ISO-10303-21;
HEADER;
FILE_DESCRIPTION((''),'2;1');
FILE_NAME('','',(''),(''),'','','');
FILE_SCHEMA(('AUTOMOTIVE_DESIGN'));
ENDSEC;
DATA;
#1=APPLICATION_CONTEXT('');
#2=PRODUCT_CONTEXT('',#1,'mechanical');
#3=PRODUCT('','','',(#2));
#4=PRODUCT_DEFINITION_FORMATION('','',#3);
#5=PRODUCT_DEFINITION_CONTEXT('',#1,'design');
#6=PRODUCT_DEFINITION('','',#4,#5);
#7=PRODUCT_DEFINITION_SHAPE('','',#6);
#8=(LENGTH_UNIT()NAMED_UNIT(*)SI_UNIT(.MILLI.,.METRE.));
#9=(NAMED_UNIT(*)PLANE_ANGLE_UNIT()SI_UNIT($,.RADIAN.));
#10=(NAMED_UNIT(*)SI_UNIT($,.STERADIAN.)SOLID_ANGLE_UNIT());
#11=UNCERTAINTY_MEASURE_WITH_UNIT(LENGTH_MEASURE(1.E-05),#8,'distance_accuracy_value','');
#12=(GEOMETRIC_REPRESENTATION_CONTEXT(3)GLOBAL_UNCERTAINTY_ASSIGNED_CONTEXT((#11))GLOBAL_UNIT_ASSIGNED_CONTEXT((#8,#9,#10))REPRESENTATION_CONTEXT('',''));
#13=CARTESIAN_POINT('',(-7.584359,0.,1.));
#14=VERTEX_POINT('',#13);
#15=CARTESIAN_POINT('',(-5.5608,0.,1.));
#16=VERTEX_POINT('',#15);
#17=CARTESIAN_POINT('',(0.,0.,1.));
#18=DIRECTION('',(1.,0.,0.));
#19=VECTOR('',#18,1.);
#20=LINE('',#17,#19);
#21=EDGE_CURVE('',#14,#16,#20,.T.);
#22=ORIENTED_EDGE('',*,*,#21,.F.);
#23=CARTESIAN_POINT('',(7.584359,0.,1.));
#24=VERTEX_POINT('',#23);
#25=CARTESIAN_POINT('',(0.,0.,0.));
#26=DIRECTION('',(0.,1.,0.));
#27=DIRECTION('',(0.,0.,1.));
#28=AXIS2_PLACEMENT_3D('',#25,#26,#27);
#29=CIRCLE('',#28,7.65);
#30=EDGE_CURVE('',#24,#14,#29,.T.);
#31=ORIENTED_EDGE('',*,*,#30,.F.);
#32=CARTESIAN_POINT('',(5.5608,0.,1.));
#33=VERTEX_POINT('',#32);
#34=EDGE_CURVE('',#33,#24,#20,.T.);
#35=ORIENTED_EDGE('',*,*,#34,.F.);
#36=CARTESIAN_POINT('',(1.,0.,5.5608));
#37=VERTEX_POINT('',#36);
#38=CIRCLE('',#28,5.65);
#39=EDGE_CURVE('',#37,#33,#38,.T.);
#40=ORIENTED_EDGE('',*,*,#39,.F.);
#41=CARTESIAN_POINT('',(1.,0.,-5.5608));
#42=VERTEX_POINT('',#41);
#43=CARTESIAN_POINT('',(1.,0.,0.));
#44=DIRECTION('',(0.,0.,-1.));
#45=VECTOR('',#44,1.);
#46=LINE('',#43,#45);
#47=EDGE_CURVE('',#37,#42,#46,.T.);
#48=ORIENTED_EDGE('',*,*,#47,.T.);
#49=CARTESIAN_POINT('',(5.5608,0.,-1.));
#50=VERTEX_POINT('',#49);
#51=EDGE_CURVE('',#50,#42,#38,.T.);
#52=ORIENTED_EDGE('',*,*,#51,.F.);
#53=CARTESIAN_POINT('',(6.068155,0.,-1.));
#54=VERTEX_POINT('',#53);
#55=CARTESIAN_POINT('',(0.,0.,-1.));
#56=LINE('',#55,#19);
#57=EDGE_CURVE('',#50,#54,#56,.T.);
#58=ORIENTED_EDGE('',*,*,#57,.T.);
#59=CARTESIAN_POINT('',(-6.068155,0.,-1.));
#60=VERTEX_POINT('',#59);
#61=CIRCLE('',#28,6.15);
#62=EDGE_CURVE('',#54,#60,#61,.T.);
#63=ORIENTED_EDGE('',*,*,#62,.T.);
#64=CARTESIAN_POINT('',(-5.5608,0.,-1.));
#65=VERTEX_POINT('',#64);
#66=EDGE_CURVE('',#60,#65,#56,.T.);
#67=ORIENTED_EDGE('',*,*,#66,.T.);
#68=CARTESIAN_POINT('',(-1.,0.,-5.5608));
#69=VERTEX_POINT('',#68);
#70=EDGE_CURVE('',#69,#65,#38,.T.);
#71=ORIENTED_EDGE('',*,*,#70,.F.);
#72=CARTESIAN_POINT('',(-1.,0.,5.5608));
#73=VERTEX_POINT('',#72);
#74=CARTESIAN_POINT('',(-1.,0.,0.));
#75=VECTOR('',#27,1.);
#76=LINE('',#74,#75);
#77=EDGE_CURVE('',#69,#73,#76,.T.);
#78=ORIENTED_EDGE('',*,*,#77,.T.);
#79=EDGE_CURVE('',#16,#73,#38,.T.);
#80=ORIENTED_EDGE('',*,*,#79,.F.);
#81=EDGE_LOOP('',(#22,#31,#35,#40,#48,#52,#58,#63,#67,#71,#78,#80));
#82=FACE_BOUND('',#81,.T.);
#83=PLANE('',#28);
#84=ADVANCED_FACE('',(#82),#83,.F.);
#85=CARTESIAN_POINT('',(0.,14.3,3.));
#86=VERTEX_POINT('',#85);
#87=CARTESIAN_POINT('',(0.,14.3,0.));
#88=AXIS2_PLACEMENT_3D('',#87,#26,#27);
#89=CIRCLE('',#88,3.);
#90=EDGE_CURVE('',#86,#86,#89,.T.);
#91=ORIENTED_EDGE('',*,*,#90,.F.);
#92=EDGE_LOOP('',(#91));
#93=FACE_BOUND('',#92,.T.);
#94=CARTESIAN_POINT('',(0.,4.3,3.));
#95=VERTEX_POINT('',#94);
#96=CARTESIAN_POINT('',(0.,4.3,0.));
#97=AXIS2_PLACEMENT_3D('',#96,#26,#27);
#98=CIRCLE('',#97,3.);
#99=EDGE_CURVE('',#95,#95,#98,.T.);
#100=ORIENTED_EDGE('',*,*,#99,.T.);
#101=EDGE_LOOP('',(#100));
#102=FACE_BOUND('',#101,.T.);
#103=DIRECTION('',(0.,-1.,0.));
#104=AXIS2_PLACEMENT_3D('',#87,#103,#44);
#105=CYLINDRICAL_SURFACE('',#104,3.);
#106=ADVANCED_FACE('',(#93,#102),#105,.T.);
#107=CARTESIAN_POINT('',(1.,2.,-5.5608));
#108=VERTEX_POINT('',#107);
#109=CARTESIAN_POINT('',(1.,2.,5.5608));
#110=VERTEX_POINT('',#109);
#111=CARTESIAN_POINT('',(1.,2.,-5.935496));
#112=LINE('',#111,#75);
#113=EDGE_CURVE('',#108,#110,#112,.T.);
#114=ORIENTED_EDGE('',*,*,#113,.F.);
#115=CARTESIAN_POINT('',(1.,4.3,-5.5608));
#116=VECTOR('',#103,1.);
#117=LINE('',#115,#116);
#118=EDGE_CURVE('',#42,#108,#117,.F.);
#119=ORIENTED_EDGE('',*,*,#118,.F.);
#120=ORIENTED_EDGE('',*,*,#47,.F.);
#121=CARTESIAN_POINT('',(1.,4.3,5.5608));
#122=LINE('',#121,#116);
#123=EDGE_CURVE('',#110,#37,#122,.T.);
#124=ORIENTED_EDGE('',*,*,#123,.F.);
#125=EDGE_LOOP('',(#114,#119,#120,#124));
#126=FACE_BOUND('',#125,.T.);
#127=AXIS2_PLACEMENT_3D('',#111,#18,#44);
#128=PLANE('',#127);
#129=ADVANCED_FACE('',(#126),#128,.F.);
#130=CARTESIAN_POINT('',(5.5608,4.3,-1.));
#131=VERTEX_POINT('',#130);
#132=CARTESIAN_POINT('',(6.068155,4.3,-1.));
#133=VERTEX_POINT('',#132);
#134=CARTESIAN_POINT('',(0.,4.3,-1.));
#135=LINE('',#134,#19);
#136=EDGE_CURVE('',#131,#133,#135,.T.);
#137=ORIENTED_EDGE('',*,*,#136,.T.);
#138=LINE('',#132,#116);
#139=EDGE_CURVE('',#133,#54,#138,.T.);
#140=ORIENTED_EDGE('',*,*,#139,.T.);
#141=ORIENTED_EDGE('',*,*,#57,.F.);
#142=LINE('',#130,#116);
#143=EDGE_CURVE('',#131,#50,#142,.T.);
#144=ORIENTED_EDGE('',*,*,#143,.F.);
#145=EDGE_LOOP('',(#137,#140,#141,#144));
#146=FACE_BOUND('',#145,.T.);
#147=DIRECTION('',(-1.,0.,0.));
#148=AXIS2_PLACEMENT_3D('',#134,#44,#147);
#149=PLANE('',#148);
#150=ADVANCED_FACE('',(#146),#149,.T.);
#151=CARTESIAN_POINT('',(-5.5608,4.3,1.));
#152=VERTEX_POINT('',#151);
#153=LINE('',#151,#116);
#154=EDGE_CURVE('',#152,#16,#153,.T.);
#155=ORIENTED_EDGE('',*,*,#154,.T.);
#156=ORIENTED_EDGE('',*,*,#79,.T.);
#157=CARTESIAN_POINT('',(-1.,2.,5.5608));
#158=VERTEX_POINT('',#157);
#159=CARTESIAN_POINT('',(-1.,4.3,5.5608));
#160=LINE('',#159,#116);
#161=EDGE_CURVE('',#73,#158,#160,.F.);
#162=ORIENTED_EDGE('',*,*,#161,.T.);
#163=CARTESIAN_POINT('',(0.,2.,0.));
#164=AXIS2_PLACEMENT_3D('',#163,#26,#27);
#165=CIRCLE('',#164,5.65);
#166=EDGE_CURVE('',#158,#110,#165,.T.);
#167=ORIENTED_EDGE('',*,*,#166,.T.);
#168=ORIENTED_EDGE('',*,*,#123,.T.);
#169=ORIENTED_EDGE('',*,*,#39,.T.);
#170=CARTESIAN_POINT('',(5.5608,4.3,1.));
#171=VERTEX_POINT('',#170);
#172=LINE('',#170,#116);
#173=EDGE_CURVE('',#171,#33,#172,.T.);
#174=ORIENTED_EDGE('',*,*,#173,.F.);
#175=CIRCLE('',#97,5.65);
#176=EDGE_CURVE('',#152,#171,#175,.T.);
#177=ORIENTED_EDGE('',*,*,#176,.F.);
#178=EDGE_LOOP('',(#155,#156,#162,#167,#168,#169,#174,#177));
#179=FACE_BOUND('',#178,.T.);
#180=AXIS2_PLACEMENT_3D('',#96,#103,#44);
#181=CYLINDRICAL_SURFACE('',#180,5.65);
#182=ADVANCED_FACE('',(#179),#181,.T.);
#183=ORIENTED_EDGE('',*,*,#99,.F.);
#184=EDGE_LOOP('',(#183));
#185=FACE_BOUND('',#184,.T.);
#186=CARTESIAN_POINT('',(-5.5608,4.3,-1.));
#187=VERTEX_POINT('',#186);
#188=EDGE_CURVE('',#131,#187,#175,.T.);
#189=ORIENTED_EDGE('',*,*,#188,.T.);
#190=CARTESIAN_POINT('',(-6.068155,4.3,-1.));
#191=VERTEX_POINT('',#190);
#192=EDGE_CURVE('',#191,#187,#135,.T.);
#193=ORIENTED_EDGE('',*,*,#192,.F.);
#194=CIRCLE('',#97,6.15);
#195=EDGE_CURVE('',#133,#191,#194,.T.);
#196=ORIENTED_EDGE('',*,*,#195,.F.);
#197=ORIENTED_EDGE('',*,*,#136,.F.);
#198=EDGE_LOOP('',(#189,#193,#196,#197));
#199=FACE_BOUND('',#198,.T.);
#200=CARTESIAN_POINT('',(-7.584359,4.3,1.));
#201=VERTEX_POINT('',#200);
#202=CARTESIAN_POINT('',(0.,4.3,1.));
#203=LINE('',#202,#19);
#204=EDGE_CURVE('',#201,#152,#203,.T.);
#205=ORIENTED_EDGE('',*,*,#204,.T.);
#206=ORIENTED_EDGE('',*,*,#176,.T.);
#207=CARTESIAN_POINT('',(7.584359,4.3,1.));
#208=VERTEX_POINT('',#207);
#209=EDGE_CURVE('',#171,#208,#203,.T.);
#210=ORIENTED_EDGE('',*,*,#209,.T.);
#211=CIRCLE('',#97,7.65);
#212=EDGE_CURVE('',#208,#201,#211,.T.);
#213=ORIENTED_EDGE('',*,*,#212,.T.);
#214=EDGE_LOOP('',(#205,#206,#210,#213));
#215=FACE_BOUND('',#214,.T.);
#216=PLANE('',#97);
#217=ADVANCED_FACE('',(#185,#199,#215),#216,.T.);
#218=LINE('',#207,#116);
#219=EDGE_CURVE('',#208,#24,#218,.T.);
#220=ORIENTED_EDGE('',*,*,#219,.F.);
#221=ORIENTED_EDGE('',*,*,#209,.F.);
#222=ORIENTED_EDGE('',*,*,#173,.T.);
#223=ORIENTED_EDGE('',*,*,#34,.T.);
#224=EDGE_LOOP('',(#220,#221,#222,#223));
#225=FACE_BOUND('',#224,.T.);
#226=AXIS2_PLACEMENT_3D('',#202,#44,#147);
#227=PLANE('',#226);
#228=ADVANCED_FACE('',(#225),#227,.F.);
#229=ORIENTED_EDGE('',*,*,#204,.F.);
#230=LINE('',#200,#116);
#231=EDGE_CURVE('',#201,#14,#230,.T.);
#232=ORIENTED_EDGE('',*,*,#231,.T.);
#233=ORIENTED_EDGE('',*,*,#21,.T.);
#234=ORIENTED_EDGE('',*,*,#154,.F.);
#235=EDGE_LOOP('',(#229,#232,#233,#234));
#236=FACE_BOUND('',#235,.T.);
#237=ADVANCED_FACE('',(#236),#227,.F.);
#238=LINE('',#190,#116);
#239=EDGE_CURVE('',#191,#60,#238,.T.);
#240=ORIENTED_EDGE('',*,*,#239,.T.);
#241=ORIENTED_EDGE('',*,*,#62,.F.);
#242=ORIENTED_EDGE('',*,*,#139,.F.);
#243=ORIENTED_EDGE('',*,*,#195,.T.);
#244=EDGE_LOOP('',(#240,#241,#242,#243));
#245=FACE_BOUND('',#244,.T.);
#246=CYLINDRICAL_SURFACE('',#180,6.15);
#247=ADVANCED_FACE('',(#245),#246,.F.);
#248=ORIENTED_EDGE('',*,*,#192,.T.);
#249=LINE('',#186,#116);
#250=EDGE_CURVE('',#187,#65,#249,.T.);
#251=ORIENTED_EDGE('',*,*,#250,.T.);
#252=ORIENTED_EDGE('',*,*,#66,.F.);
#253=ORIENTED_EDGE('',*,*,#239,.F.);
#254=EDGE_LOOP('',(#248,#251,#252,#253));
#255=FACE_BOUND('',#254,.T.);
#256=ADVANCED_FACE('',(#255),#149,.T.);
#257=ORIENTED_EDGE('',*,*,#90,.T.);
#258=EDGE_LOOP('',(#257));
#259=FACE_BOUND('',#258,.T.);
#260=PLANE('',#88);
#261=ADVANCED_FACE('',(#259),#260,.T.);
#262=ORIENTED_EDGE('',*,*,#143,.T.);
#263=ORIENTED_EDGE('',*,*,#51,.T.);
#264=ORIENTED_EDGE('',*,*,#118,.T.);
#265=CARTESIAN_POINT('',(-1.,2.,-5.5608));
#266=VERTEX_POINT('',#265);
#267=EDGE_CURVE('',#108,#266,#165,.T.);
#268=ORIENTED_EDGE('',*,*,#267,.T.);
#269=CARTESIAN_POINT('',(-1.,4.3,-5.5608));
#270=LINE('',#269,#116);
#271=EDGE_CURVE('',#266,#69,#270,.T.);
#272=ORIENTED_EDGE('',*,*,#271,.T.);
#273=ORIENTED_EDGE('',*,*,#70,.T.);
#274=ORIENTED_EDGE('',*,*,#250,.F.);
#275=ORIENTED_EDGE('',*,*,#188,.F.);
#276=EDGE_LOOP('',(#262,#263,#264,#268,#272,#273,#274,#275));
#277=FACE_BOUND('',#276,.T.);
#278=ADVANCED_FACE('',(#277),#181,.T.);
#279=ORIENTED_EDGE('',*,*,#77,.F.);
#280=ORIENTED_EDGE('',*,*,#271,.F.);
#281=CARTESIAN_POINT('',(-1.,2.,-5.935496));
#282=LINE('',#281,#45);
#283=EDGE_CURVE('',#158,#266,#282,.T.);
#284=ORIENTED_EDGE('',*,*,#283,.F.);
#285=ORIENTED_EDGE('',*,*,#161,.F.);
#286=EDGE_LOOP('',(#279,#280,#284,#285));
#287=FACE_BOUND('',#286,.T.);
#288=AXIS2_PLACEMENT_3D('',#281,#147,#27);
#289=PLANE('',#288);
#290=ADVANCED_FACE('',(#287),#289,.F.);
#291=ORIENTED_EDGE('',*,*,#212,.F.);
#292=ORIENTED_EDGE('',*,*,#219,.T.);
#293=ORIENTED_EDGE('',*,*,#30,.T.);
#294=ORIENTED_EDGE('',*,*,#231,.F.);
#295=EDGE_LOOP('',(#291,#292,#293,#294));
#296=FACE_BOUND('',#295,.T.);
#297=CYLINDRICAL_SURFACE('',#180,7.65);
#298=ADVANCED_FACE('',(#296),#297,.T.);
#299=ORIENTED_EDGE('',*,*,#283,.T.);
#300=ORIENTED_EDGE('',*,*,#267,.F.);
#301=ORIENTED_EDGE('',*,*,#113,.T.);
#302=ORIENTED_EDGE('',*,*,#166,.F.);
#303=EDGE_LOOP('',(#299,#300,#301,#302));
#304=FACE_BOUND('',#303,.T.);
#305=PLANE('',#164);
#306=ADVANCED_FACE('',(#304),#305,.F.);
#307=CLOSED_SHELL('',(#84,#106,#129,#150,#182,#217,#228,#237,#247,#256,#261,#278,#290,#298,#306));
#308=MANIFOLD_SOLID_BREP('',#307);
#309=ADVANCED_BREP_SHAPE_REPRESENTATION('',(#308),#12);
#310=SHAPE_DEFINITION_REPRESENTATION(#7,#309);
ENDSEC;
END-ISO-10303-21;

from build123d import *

# Parameters (mm, degrees)
BOSS_EXTRUDE1_DEPTH = 4.3
SKETCH2_R           = 3
BOSS_EXTRUDE2_DEPTH = 10
SKETCH3_W           = 2
SKETCH3_H           = 11.870992598
CUT_EXTRUDE1_DEPTH  = 2


with BuildPart() as part:
    # Sketch1 → Boss-Extrude1 (new body)
    with BuildSketch(Plane(origin=(0, 0, 0), x_dir=(1, 0, 0), z_dir=(0, 1, 0))):
        with BuildLine():
            Line((5.560800302, -1), (-5.560800302, -1))
            ThreePointArc((-5.560800302, -1), (0, -5.65), (5.560800302, -1))
        make_face()
        with BuildLine():
            Line((5.560800302, 1), (-5.560800302, 1))
            ThreePointArc((-5.560800302, 1), (-5.65, 0), (-5.560800302, -1))
            Line((-5.560800302, -1), (5.560800302, -1))
            ThreePointArc((5.560800302, -1), (5.627655893, -0.501985205), (5.65, 0))
            ThreePointArc((5.65, 0), (5.627655893, 0.501985205), (5.560800302, 1))
        make_face()
        with BuildLine():
            ThreePointArc((5.560800302, 1), (0, 5.65), (-5.560800302, 1))
            Line((-5.560800302, 1), (5.560800302, 1))
        make_face()
        with BuildLine():
            Line((-5.560800302, 1), (-6.068154579, 1))
            ThreePointArc((-6.068154579, 1), (-6.15, 0), (-6.068154579, -1))
            Line((-6.068154579, -1), (-5.560800302, -1))
            ThreePointArc((-5.560800302, -1), (-5.65, 0), (-5.560800302, 1))
        make_face()
        with BuildLine():
            ThreePointArc((6.15, 0), (6.129504493, 0.501671873), (6.068154579, 1))
            Line((6.068154579, 1), (5.560800302, 1))
            ThreePointArc((5.560800302, 1), (5.627655893, 0.501985205), (5.65, 0))
            ThreePointArc((5.65, 0), (5.627655893, -0.501985205), (5.560800302, -1))
            Line((5.560800302, -1), (6.068154579, -1))
            ThreePointArc((6.068154579, -1), (6.129504493, -0.501671873), (6.15, 0))
        make_face()
        with BuildLine():
            Line((-6.068154579, 1), (-7.584358905, 1))
            ThreePointArc((-7.584358905, 1), (-7.65, 0), (-7.584358905, -1))
            Line((-7.584358905, -1), (-6.068154579, -1))
            ThreePointArc((-6.068154579, -1), (-6.15, 0), (-6.068154579, 1))
        make_face()
        with BuildLine():
            ThreePointArc((7.65, 0), (7.633572087, 0.50107603), (7.584358905, 1))
            Line((7.584358905, 1), (6.068154579, 1))
            ThreePointArc((6.068154579, 1), (6.129504493, 0.501671873), (6.15, 0))
            ThreePointArc((6.15, 0), (6.129504493, -0.501671873), (6.068154579, -1))
            Line((6.068154579, -1), (7.584358905, -1))
            ThreePointArc((7.584358905, -1), (7.633572087, -0.50107603), (7.65, 0))
        make_face()
        with BuildLine():
            ThreePointArc((7.584358905, 1), (0, 7.65), (-7.584358905, 1))
            Line((-7.584358905, 1), (-6.068154579, 1))
            ThreePointArc((-6.068154579, 1), (0, 6.15), (6.068154579, 1))
            Line((6.068154579, 1), (7.584358905, 1))
        make_face()
    extrude(amount=BOSS_EXTRUDE1_DEPTH)

    # Sketch2 → Boss-Extrude2 (add)
    with BuildSketch(Plane(origin=(0, 4.3, 0), x_dir=(1, 0, 0), z_dir=(0, 1, 0))):
        Circle(SKETCH2_R)
    extrude(amount=BOSS_EXTRUDE2_DEPTH)

    # Sketch3 → Cut-Extrude1 (cut)
    with BuildSketch(Plane.XZ):
        Rectangle(SKETCH3_W, SKETCH3_H)
    extrude(amount=-CUT_EXTRUDE1_DEPTH, mode=Mode.SUBTRACT)


solid = part.part
